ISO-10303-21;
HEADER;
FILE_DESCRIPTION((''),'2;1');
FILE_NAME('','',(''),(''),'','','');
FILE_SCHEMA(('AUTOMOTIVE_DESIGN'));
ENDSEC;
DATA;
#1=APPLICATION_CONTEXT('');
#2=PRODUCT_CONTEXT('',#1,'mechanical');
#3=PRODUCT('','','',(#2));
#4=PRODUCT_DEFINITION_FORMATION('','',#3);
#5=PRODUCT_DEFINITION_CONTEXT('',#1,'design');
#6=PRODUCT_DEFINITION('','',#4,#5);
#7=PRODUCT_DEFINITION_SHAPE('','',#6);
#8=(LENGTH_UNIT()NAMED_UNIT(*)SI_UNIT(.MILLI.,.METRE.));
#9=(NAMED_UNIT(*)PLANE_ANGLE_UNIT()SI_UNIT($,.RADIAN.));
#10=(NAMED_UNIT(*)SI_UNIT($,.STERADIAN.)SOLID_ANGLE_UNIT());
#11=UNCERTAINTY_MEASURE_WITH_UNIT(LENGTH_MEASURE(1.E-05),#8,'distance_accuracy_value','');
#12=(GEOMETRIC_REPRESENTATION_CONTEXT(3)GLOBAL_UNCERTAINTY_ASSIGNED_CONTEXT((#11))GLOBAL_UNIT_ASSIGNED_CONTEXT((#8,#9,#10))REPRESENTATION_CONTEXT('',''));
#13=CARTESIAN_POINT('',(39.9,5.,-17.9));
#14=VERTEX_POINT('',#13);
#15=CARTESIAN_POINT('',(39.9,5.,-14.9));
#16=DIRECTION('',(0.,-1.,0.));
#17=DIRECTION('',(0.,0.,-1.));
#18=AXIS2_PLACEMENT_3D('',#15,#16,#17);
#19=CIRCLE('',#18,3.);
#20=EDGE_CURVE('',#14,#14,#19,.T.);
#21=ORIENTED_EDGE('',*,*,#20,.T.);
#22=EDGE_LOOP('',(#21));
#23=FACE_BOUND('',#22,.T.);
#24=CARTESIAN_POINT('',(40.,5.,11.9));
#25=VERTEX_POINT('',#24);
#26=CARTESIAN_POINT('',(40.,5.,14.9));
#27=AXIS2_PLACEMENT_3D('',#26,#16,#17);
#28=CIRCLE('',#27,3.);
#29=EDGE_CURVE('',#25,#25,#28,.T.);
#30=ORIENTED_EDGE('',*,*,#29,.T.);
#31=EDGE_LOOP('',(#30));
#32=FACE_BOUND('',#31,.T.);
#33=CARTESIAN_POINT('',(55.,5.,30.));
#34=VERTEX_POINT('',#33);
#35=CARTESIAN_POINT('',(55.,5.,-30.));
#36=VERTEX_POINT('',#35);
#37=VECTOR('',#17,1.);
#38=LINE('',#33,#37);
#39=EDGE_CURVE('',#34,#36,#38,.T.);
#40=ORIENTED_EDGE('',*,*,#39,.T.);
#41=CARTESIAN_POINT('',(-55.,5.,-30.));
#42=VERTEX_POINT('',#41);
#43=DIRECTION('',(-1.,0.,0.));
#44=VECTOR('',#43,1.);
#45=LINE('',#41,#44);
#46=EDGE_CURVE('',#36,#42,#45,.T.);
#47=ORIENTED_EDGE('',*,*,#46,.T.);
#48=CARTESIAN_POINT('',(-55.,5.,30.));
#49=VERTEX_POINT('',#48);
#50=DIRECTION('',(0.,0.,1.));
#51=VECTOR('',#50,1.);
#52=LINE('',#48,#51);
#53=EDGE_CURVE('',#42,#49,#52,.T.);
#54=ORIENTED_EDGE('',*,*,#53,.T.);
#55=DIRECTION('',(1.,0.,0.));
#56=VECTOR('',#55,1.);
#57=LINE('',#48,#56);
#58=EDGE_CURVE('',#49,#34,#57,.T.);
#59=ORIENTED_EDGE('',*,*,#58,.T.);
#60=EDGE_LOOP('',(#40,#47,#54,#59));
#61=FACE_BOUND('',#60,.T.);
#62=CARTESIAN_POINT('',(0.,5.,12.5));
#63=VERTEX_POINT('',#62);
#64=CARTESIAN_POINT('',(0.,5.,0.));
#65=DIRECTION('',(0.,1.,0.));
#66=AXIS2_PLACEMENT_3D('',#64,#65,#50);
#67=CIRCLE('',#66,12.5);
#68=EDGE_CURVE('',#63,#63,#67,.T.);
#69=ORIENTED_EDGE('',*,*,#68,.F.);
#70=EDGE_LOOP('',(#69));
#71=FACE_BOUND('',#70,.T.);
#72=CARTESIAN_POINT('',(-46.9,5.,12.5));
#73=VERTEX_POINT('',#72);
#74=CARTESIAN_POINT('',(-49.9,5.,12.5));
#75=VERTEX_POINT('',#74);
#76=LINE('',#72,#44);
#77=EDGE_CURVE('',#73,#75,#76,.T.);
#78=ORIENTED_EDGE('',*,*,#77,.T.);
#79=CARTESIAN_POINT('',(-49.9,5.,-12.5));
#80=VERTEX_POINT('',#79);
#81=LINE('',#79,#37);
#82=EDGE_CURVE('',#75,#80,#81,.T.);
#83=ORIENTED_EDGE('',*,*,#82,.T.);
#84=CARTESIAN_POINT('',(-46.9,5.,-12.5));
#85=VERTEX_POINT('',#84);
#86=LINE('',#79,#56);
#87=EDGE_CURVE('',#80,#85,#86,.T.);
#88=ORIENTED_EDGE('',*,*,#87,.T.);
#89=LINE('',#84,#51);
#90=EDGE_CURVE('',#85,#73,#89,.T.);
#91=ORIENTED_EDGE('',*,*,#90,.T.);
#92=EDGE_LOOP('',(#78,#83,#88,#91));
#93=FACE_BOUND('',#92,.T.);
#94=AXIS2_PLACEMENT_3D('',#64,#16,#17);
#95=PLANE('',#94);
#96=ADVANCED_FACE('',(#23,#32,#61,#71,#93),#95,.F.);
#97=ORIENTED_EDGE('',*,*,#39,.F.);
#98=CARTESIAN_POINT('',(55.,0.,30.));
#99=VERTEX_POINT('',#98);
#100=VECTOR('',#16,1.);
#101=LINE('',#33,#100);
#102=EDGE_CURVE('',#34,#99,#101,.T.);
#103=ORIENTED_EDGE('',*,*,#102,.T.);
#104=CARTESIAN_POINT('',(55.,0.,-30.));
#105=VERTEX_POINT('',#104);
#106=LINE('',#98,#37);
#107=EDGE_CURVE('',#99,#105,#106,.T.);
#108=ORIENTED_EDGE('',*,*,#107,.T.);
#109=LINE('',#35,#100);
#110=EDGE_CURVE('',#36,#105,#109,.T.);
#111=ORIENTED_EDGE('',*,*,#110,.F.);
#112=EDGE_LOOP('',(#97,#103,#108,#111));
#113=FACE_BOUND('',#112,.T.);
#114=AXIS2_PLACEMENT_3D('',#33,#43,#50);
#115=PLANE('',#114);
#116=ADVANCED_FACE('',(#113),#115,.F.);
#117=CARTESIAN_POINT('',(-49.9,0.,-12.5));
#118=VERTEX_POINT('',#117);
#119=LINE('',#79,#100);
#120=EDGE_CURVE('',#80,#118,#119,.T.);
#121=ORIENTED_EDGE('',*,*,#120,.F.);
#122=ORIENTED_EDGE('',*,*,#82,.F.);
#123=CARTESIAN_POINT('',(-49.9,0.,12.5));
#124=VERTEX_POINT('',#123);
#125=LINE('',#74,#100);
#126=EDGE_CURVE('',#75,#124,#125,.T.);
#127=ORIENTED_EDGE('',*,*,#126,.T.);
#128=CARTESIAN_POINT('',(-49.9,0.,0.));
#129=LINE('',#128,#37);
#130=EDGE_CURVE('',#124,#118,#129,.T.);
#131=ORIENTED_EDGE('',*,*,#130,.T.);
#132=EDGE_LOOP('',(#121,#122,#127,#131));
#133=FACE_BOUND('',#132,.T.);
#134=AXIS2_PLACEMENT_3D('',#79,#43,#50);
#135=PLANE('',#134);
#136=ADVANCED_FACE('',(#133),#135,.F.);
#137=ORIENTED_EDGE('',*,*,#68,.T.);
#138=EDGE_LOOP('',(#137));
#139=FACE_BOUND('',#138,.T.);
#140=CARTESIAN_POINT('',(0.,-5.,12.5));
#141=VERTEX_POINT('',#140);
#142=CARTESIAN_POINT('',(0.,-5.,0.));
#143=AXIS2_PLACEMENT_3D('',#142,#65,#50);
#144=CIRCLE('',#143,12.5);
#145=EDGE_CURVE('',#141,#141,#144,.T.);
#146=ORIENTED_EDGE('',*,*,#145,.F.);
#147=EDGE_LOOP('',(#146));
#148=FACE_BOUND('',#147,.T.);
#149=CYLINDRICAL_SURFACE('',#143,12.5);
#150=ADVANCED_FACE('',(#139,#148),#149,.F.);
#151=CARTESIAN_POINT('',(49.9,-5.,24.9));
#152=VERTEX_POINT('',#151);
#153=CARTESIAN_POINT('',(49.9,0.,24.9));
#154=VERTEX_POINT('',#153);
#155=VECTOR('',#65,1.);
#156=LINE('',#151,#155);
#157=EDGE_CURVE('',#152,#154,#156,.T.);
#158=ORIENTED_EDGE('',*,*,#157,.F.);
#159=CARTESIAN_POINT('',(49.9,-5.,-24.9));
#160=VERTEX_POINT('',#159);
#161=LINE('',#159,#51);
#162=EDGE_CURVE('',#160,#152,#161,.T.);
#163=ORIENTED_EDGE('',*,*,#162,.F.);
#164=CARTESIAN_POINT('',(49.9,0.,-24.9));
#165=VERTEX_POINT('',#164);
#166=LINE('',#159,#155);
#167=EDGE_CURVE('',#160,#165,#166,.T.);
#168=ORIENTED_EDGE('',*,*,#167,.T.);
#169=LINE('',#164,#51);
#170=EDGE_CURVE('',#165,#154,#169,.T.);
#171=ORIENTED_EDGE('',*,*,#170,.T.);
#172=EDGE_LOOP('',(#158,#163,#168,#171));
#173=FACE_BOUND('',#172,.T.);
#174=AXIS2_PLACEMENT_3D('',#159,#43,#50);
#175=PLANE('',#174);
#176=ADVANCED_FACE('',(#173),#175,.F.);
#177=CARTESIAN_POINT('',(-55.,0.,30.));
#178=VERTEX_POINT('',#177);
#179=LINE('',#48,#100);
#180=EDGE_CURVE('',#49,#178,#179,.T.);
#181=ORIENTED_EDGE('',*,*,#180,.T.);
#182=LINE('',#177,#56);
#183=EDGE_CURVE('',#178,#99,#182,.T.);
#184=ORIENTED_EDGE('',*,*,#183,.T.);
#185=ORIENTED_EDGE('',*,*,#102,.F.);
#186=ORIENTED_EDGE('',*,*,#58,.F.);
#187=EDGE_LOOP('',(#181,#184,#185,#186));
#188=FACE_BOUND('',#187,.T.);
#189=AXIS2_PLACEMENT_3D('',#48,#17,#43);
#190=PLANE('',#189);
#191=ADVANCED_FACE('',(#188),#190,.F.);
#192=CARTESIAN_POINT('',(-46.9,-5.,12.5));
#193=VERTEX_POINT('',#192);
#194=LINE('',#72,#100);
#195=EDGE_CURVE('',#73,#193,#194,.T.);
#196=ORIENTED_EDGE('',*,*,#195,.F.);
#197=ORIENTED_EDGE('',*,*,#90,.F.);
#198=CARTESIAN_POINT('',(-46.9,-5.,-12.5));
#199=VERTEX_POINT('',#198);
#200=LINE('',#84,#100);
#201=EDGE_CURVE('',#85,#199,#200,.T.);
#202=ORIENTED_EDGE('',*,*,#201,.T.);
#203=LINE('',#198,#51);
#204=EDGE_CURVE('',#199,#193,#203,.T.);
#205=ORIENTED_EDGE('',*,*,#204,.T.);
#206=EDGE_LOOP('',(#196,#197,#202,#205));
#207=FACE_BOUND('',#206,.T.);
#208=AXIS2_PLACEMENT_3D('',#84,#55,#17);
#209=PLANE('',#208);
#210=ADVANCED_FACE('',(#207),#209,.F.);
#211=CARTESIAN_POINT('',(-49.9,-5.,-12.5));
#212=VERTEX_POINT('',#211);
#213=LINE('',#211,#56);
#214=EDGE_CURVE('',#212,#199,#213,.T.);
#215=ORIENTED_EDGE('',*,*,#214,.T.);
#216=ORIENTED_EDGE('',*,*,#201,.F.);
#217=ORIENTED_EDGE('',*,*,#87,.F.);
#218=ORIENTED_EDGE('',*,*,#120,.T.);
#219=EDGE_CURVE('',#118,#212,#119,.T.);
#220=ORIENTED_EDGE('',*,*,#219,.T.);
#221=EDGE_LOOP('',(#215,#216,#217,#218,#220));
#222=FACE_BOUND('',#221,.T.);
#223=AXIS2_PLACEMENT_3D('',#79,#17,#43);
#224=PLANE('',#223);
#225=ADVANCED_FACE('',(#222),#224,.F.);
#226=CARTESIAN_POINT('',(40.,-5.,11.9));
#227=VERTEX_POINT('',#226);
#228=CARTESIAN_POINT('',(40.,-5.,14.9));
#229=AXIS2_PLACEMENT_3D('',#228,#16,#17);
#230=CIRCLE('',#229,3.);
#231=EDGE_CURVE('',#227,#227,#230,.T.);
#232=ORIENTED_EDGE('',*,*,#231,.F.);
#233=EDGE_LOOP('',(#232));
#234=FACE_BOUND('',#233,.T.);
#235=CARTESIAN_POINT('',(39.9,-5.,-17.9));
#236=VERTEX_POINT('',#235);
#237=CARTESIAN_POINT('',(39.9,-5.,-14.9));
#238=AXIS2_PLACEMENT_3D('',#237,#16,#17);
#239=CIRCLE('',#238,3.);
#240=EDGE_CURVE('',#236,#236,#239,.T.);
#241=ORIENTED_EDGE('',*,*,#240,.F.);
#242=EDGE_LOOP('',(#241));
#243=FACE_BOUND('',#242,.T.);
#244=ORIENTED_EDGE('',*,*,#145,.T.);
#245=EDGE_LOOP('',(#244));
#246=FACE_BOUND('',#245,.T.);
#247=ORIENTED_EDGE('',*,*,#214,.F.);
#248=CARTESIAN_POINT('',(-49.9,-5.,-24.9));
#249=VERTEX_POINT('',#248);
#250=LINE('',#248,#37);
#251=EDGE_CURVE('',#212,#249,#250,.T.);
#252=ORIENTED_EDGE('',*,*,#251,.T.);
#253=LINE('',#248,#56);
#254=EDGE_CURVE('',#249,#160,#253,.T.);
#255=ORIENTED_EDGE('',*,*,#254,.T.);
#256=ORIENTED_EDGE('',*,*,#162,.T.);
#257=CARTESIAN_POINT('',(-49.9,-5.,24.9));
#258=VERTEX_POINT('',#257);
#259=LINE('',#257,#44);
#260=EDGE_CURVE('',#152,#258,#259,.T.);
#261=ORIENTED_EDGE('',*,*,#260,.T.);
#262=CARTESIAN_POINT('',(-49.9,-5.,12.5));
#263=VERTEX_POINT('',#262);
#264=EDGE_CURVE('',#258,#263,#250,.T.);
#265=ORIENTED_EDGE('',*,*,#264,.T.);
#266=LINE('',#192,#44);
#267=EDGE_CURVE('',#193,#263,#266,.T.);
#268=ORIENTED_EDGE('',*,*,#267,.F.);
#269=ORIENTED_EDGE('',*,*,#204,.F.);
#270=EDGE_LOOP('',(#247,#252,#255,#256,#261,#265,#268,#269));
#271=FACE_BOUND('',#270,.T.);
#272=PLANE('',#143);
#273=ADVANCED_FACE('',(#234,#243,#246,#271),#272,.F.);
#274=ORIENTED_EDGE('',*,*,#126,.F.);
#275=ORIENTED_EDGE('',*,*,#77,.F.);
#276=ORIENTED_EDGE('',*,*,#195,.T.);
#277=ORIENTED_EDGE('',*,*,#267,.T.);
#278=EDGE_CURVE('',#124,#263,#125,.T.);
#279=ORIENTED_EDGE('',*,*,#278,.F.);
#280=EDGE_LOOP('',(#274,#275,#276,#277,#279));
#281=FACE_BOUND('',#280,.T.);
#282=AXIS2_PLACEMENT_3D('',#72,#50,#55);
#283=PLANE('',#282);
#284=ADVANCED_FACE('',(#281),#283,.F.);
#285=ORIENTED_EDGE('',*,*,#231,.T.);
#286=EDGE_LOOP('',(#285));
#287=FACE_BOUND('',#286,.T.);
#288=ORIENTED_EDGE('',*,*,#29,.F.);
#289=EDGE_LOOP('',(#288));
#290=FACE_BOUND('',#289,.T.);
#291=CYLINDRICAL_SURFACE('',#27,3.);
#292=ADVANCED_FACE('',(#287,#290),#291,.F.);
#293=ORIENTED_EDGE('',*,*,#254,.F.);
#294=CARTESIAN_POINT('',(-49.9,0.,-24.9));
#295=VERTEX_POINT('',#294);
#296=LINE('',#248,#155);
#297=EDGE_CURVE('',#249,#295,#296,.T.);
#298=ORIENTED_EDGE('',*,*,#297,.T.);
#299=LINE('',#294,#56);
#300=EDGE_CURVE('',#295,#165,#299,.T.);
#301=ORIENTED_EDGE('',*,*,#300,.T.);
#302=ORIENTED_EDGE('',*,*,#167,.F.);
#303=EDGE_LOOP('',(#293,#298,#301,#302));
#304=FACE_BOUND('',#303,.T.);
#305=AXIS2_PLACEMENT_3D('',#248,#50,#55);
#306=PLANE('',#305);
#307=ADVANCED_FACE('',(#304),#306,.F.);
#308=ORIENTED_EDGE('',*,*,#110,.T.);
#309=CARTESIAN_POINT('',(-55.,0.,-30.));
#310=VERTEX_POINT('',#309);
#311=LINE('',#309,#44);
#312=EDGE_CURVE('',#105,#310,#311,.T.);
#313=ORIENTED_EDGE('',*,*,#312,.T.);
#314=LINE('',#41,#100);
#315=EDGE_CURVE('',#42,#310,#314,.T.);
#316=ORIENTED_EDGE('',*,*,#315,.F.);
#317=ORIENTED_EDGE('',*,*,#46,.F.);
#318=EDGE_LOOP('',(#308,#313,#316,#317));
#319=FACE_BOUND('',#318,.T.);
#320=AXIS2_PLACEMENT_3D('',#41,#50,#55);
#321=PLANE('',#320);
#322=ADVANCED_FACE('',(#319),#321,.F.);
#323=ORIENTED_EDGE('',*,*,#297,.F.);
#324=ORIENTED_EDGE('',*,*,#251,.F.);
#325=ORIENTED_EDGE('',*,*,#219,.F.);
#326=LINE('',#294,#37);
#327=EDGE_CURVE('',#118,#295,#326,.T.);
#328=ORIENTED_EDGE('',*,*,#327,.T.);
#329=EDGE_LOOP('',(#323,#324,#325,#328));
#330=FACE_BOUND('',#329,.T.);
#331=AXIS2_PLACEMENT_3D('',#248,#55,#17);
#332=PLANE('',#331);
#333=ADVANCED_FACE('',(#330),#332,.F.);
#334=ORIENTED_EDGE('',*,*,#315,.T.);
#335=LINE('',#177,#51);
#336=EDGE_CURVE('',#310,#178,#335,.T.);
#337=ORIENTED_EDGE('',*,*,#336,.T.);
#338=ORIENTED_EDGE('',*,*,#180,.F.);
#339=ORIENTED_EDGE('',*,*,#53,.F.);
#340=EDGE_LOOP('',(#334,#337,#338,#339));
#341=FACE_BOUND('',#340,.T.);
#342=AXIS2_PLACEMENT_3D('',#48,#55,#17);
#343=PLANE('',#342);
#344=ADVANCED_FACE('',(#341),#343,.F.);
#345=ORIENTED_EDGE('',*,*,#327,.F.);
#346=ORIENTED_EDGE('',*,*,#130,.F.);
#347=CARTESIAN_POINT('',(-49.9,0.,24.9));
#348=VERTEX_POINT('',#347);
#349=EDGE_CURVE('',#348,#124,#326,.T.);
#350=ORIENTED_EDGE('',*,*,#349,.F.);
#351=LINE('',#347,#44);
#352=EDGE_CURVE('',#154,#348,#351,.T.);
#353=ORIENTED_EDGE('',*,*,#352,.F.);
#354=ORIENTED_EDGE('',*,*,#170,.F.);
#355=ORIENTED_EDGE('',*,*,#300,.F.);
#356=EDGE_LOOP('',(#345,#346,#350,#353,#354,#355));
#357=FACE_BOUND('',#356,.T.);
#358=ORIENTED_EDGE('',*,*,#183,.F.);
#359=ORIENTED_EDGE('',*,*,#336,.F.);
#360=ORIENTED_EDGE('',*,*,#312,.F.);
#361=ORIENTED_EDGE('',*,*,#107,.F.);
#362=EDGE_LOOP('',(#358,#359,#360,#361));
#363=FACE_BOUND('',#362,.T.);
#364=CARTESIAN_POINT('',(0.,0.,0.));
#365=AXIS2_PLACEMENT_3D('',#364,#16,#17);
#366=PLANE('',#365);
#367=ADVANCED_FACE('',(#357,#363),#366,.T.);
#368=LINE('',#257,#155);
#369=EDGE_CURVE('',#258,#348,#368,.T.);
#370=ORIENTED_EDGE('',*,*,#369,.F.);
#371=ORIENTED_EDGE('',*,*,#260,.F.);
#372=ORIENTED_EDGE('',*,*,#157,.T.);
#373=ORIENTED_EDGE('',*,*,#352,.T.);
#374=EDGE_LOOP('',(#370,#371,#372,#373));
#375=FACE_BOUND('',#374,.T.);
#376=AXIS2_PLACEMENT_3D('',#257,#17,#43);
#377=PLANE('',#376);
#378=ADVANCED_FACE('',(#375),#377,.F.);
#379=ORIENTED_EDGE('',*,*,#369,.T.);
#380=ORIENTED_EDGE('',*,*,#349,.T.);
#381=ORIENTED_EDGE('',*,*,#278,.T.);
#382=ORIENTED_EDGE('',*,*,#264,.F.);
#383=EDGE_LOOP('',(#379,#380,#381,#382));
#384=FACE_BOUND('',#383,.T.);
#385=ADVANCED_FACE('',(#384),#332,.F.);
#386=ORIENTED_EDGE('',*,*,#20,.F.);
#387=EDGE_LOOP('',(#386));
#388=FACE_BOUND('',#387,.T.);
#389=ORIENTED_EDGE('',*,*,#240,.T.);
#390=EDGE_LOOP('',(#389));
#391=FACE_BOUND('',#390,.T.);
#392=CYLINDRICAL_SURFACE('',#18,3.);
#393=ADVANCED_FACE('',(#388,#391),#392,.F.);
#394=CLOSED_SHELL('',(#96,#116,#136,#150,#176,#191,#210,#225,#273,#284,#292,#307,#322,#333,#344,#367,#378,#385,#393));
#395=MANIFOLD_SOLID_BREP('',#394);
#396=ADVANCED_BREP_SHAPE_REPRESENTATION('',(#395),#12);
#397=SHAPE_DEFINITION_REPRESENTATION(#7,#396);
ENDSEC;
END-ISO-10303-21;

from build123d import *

# Parameters (mm, degrees)
SKETCH1_W           = 110
SKETCH1_H           = 60
BOSS_EXTRUDE1_DEPTH = 5
SKETCH2_W           = 99.8
SKETCH2_H           = 49.8
BOSS_EXTRUDE2_DEPTH = 5
SKETCH3_W           = 3
SKETCH3_H           = 25
CUT_EXTRUDE2_DEPTH  = 10
SKETCH5_R           = 3
CUT_EXTRUDE3_DEPTH  = 10
SKETCH6_R           = 12.5
CUT_EXTRUDE4_DEPTH  = 10


with BuildPart() as part:
    # Sketch1 → Boss-Extrude1 (new body)
    with BuildSketch(Plane(origin=(0, 0, 0), x_dir=(1, 0, 0), z_dir=(0, 1, 0))):
        Rectangle(SKETCH1_W, SKETCH1_H)
    extrude(amount=BOSS_EXTRUDE1_DEPTH)

    # Sketch2 → Boss-Extrude2 (add)
    with BuildSketch(Plane.XZ):
        Rectangle(SKETCH2_W, SKETCH2_H)
    extrude(amount=BOSS_EXTRUDE2_DEPTH)

    # Sketch3 → Cut-Extrude2 (cut)
    with BuildSketch(Plane.XZ.offset(5)):
        with Locations((-48.4, 0)):
            Rectangle(SKETCH3_W, SKETCH3_H)
    extrude(amount=-CUT_EXTRUDE2_DEPTH, mode=Mode.SUBTRACT)

    # Sketch5 → Cut-Extrude3 (cut)
    with BuildSketch(Plane.XZ.offset(5)):
        with Locations(Location((39.9, -14.9, 0), (0, 0, 270))):
            Circle(SKETCH5_R)
        with Locations(Location((40, 14.9, 0), (0, 0, 270))):
            Circle(SKETCH5_R)
    extrude(amount=-CUT_EXTRUDE3_DEPTH, mode=Mode.SUBTRACT)

    # Sketch6 → Cut-Extrude4 (cut)
    with BuildSketch(Plane(origin=(0, 5, 0), x_dir=(1, 0, 0), z_dir=(0, 1, 0))):
        with Locations(Location((0, 0, 0), (0, 0, 270))):
            Circle(SKETCH6_R)
    extrude(amount=-CUT_EXTRUDE4_DEPTH, mode=Mode.SUBTRACT)


solid = part.part
